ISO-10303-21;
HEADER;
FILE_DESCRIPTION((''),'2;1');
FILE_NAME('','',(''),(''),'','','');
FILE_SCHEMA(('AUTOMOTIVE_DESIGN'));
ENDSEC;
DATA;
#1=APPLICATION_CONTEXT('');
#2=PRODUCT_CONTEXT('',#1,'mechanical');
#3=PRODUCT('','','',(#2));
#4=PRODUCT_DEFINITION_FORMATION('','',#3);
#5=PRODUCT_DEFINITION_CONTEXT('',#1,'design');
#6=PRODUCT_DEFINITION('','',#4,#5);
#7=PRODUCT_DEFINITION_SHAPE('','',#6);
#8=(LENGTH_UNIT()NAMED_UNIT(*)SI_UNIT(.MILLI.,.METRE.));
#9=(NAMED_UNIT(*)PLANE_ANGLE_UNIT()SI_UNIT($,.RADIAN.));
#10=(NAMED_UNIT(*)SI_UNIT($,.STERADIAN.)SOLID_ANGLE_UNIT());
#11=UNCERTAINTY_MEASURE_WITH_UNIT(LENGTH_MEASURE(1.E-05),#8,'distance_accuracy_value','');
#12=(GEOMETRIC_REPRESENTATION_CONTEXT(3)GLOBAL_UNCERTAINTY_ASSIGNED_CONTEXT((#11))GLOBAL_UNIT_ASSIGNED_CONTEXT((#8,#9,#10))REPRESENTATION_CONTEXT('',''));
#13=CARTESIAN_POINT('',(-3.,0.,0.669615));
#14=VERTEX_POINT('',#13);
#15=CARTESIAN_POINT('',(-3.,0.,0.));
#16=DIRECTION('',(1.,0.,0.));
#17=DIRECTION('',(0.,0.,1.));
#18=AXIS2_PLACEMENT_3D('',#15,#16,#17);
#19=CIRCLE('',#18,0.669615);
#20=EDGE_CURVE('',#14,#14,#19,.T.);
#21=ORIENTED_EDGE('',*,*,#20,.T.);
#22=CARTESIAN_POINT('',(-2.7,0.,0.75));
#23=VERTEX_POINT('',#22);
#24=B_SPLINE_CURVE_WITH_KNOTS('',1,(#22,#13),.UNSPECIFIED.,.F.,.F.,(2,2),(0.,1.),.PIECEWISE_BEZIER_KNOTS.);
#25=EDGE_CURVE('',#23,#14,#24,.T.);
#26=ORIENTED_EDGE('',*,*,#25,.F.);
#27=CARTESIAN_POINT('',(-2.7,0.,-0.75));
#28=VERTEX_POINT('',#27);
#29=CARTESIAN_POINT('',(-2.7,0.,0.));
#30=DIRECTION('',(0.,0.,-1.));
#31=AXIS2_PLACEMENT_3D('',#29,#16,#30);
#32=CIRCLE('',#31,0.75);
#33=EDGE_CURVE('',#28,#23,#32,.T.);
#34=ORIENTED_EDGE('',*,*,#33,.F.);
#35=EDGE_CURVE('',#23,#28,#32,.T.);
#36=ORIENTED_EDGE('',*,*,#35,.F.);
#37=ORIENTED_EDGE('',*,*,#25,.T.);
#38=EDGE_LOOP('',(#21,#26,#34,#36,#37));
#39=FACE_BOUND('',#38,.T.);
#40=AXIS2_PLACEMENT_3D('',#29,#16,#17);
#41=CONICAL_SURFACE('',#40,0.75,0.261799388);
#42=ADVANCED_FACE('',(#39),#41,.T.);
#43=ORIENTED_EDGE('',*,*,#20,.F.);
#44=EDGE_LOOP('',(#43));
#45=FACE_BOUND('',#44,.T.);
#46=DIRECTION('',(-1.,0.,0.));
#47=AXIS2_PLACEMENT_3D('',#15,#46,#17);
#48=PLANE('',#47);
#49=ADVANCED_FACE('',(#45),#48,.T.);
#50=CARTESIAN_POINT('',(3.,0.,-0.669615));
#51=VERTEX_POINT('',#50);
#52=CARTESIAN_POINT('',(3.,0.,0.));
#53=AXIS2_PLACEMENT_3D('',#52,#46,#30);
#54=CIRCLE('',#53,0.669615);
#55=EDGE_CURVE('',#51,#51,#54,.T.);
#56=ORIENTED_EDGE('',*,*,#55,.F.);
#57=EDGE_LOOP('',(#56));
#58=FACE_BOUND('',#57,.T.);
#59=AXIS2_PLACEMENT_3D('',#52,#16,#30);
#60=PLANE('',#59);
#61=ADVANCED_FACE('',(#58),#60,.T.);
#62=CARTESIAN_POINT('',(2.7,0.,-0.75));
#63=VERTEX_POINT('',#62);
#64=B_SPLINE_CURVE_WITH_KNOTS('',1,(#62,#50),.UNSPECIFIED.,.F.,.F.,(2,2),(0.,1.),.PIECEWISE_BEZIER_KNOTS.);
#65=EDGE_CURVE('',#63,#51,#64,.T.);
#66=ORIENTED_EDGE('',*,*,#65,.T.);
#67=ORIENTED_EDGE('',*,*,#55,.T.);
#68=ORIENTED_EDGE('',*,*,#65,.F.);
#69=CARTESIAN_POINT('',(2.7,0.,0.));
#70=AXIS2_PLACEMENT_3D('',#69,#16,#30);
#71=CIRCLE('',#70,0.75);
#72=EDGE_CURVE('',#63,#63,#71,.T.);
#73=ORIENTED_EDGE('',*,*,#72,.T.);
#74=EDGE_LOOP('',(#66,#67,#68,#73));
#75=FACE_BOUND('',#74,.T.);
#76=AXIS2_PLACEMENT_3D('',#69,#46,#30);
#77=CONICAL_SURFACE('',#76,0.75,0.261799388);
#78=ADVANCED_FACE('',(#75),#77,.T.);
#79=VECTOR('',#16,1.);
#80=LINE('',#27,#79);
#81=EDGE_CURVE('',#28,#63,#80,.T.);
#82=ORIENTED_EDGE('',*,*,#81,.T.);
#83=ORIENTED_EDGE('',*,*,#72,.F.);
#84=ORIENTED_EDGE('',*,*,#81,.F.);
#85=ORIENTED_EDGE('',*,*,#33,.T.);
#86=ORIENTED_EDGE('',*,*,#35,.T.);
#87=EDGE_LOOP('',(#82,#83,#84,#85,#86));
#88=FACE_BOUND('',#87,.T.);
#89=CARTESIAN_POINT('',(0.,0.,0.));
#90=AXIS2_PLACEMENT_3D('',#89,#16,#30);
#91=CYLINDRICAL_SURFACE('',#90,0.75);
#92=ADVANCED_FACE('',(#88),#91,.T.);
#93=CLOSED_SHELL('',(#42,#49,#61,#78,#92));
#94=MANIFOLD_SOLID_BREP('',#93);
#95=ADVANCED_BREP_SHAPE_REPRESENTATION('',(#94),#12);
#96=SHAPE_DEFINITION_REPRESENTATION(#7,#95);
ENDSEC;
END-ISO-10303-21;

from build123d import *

# Parameters (mm, degrees)
SKETCH2_R           = 0.75
EXTRUDE1_DEPTH      = 2.7
EXTRUDE1_DEPTH_BACK = 2.7
SKETCH3_R           = 0.75
EXTRUDE2_DEPTH      = 0.3
EXTRUDE2_TAPER      = 15
SKETCH4_R           = 0.75
EXTRUDE3_DEPTH      = 0.3
EXTRUDE3_TAPER      = 15


with BuildPart() as part:
    # Sketch2 → Extrude1 (new body, two sides)
    with BuildSketch(Plane(origin=(0, 0, 0), x_dir=(0, 0, -1), z_dir=(1, 0, 0))) as extrude1_sk:
        Circle(SKETCH2_R)
    extrude(amount=EXTRUDE1_DEPTH)
    extrude(extrude1_sk.sketch, amount=-EXTRUDE1_DEPTH_BACK)

    # Sketch3 → Extrude2 (add)
    with BuildSketch(Plane(origin=(2.7, 0, 0), x_dir=(0, 0, -1), z_dir=(1, 0, 0))):
        Circle(SKETCH3_R)
    extrude(amount=EXTRUDE2_DEPTH, taper=EXTRUDE2_TAPER)

    # Sketch4 → Extrude3 (add)
    with BuildSketch(Plane.ZY.offset(2.7)):
        Circle(SKETCH4_R)
    extrude(amount=EXTRUDE3_DEPTH, taper=EXTRUDE3_TAPER)


solid = part.part
